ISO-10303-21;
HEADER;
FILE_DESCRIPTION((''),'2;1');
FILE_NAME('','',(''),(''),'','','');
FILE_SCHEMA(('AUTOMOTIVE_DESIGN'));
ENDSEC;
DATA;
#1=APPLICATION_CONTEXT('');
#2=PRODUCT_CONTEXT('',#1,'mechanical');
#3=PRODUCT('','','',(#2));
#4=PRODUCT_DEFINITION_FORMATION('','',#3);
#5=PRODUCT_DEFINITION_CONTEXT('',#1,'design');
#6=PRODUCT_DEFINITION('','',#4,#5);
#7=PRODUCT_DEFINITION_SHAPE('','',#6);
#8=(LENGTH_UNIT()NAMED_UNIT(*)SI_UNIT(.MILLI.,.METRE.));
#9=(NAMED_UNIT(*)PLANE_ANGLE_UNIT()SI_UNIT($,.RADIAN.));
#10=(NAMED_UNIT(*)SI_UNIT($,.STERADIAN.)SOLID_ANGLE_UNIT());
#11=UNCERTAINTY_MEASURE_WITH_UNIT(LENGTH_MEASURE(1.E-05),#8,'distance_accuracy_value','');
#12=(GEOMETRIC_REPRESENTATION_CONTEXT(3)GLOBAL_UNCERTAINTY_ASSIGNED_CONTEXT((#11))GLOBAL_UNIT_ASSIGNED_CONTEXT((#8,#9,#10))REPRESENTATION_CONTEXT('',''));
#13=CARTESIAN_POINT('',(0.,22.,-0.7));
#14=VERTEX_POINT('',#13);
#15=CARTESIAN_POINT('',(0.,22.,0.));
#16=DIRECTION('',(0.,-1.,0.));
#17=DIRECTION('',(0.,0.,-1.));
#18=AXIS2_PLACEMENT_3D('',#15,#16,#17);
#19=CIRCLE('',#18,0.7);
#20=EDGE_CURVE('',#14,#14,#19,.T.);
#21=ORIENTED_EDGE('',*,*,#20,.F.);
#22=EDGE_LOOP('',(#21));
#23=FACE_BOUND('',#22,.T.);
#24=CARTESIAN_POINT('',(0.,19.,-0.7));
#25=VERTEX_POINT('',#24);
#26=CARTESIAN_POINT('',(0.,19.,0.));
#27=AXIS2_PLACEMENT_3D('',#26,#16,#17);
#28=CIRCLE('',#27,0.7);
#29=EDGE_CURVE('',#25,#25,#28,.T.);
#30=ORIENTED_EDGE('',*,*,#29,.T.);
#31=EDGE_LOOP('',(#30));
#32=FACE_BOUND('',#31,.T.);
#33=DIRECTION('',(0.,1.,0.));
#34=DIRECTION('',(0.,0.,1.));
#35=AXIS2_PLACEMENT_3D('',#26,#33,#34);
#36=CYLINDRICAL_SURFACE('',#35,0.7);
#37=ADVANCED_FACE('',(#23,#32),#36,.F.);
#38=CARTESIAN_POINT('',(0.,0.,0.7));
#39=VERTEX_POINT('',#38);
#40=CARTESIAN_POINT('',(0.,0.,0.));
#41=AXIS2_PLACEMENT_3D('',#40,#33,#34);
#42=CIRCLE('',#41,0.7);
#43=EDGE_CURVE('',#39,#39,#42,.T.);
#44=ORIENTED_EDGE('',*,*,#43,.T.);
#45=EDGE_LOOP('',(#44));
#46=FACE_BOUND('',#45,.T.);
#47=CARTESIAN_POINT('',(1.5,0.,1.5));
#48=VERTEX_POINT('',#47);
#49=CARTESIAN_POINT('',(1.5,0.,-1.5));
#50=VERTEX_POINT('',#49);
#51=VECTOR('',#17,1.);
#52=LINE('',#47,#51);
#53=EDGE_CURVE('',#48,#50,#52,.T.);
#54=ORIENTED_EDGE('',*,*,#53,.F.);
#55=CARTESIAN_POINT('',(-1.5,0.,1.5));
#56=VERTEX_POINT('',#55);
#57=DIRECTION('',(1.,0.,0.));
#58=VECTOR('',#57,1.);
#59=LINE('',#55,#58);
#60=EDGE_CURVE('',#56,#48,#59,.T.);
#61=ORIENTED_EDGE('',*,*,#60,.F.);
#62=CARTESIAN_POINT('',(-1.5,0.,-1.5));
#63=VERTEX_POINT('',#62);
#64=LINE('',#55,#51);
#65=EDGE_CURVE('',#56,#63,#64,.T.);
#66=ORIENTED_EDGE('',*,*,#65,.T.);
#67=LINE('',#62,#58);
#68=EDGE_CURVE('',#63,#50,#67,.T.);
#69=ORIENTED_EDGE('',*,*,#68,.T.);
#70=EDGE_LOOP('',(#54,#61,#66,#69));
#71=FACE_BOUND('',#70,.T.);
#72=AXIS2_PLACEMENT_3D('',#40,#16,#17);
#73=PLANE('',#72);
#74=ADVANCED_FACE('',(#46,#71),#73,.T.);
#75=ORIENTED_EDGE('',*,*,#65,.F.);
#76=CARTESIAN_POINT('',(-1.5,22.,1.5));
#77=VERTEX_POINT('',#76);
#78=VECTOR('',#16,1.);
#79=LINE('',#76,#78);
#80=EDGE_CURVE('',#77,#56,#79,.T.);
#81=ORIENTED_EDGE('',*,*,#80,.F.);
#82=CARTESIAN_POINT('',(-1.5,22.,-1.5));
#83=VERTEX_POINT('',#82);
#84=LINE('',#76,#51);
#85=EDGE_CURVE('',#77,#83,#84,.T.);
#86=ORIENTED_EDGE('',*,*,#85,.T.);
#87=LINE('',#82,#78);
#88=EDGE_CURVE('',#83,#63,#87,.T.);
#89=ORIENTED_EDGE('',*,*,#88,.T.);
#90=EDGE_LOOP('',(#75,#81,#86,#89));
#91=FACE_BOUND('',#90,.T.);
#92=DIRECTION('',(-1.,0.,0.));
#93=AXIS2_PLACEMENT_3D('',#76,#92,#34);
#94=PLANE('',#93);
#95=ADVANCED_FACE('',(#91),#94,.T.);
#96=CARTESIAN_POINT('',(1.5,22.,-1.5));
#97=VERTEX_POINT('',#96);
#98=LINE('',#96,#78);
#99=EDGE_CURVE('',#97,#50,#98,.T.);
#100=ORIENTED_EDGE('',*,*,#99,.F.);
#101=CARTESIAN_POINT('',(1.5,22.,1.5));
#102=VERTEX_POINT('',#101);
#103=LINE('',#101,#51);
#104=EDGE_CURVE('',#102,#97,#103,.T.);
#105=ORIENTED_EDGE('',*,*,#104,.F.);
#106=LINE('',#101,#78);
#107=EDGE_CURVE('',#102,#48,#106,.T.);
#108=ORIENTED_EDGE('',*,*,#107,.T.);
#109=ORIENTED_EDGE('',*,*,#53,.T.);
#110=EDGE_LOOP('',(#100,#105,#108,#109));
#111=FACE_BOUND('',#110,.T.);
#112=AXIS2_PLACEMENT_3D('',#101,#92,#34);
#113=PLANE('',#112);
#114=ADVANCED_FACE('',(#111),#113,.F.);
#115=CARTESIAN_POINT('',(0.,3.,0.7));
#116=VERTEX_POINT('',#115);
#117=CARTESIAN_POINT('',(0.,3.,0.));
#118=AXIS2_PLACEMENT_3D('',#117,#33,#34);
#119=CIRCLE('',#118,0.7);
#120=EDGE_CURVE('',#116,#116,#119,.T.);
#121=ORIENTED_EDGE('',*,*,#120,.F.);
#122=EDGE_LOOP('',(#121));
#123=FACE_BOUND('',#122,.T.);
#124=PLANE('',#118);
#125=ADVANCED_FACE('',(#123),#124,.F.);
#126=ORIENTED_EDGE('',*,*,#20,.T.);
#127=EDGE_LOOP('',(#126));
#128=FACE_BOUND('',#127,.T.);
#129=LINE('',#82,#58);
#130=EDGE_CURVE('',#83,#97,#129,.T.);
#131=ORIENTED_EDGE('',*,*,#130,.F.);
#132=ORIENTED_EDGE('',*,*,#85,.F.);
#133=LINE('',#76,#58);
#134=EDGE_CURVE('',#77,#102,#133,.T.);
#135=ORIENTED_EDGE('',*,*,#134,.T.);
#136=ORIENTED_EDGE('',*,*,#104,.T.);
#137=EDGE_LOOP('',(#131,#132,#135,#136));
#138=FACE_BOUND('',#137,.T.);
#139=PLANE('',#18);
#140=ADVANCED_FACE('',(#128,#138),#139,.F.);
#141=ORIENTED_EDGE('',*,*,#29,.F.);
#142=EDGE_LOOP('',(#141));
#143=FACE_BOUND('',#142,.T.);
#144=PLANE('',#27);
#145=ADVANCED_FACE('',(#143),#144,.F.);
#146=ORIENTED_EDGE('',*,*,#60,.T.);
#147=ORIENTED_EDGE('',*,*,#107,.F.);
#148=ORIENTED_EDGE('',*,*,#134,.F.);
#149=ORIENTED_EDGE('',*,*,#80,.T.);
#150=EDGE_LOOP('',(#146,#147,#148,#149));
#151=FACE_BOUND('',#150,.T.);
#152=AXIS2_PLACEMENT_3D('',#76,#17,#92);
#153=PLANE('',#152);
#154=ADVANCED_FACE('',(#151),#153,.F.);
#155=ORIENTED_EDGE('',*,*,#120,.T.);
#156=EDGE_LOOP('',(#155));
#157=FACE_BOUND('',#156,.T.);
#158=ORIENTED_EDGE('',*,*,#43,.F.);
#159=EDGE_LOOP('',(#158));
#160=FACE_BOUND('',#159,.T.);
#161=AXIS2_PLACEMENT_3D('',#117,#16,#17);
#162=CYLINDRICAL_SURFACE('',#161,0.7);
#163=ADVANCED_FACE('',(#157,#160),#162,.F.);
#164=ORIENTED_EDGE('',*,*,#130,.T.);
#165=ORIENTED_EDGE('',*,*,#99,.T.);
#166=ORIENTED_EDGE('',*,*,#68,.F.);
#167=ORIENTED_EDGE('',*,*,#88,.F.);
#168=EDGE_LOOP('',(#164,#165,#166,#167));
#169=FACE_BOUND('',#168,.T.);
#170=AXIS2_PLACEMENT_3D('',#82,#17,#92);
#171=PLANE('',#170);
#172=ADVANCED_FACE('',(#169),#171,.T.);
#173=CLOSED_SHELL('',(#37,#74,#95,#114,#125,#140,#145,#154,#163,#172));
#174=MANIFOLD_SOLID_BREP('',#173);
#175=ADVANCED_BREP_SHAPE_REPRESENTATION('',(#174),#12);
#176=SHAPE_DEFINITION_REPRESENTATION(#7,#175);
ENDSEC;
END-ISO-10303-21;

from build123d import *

# Parameters (mm, degrees)
SKETCH_4_W          = 3
SKETCH_4_H          = 3
EXTRUDE_1_DEPTH     = 22
SKETCH_4_5_R        = 0.7
CUT_EXTRUDE_1_DEPTH = 3
CUT_EXTRUDE_START   = 19
SKETCH_4_6_R        = 0.7
CUT_EXTRUDE_2_DEPTH = 3


with BuildPart() as part:
    # 草图4 → 凸台-拉伸1 (new body)
    with BuildSketch(Plane(origin=(0, 0, 0), x_dir=(1, 0, 0), z_dir=(0, 1, 0))):
        Rectangle(SKETCH_4_W, SKETCH_4_H)
    extrude(amount=EXTRUDE_1_DEPTH)

    # 草图4<5> → 切除-拉伸1 (cut)
    with BuildSketch(Plane(origin=(0, 0, 0), x_dir=(1, 0, 0), z_dir=(0, 1, 0))):
        with Locations(Location((0, 0, 0), (0, 0, 270))):
            Circle(SKETCH_4_5_R)
    extrude(amount=CUT_EXTRUDE_1_DEPTH, mode=Mode.SUBTRACT)

    # 草图4<6> → 切除-拉伸2 (cut)
    with BuildSketch(Plane(origin=(0, 0, 0), x_dir=(1, 0, 0), z_dir=(0, 1, 0)).offset(CUT_EXTRUDE_START)):
        with Locations(Location((0, 0, 0), (0, 0, 270))):
            Circle(SKETCH_4_6_R)
    extrude(amount=CUT_EXTRUDE_2_DEPTH, mode=Mode.SUBTRACT)


solid = part.part
